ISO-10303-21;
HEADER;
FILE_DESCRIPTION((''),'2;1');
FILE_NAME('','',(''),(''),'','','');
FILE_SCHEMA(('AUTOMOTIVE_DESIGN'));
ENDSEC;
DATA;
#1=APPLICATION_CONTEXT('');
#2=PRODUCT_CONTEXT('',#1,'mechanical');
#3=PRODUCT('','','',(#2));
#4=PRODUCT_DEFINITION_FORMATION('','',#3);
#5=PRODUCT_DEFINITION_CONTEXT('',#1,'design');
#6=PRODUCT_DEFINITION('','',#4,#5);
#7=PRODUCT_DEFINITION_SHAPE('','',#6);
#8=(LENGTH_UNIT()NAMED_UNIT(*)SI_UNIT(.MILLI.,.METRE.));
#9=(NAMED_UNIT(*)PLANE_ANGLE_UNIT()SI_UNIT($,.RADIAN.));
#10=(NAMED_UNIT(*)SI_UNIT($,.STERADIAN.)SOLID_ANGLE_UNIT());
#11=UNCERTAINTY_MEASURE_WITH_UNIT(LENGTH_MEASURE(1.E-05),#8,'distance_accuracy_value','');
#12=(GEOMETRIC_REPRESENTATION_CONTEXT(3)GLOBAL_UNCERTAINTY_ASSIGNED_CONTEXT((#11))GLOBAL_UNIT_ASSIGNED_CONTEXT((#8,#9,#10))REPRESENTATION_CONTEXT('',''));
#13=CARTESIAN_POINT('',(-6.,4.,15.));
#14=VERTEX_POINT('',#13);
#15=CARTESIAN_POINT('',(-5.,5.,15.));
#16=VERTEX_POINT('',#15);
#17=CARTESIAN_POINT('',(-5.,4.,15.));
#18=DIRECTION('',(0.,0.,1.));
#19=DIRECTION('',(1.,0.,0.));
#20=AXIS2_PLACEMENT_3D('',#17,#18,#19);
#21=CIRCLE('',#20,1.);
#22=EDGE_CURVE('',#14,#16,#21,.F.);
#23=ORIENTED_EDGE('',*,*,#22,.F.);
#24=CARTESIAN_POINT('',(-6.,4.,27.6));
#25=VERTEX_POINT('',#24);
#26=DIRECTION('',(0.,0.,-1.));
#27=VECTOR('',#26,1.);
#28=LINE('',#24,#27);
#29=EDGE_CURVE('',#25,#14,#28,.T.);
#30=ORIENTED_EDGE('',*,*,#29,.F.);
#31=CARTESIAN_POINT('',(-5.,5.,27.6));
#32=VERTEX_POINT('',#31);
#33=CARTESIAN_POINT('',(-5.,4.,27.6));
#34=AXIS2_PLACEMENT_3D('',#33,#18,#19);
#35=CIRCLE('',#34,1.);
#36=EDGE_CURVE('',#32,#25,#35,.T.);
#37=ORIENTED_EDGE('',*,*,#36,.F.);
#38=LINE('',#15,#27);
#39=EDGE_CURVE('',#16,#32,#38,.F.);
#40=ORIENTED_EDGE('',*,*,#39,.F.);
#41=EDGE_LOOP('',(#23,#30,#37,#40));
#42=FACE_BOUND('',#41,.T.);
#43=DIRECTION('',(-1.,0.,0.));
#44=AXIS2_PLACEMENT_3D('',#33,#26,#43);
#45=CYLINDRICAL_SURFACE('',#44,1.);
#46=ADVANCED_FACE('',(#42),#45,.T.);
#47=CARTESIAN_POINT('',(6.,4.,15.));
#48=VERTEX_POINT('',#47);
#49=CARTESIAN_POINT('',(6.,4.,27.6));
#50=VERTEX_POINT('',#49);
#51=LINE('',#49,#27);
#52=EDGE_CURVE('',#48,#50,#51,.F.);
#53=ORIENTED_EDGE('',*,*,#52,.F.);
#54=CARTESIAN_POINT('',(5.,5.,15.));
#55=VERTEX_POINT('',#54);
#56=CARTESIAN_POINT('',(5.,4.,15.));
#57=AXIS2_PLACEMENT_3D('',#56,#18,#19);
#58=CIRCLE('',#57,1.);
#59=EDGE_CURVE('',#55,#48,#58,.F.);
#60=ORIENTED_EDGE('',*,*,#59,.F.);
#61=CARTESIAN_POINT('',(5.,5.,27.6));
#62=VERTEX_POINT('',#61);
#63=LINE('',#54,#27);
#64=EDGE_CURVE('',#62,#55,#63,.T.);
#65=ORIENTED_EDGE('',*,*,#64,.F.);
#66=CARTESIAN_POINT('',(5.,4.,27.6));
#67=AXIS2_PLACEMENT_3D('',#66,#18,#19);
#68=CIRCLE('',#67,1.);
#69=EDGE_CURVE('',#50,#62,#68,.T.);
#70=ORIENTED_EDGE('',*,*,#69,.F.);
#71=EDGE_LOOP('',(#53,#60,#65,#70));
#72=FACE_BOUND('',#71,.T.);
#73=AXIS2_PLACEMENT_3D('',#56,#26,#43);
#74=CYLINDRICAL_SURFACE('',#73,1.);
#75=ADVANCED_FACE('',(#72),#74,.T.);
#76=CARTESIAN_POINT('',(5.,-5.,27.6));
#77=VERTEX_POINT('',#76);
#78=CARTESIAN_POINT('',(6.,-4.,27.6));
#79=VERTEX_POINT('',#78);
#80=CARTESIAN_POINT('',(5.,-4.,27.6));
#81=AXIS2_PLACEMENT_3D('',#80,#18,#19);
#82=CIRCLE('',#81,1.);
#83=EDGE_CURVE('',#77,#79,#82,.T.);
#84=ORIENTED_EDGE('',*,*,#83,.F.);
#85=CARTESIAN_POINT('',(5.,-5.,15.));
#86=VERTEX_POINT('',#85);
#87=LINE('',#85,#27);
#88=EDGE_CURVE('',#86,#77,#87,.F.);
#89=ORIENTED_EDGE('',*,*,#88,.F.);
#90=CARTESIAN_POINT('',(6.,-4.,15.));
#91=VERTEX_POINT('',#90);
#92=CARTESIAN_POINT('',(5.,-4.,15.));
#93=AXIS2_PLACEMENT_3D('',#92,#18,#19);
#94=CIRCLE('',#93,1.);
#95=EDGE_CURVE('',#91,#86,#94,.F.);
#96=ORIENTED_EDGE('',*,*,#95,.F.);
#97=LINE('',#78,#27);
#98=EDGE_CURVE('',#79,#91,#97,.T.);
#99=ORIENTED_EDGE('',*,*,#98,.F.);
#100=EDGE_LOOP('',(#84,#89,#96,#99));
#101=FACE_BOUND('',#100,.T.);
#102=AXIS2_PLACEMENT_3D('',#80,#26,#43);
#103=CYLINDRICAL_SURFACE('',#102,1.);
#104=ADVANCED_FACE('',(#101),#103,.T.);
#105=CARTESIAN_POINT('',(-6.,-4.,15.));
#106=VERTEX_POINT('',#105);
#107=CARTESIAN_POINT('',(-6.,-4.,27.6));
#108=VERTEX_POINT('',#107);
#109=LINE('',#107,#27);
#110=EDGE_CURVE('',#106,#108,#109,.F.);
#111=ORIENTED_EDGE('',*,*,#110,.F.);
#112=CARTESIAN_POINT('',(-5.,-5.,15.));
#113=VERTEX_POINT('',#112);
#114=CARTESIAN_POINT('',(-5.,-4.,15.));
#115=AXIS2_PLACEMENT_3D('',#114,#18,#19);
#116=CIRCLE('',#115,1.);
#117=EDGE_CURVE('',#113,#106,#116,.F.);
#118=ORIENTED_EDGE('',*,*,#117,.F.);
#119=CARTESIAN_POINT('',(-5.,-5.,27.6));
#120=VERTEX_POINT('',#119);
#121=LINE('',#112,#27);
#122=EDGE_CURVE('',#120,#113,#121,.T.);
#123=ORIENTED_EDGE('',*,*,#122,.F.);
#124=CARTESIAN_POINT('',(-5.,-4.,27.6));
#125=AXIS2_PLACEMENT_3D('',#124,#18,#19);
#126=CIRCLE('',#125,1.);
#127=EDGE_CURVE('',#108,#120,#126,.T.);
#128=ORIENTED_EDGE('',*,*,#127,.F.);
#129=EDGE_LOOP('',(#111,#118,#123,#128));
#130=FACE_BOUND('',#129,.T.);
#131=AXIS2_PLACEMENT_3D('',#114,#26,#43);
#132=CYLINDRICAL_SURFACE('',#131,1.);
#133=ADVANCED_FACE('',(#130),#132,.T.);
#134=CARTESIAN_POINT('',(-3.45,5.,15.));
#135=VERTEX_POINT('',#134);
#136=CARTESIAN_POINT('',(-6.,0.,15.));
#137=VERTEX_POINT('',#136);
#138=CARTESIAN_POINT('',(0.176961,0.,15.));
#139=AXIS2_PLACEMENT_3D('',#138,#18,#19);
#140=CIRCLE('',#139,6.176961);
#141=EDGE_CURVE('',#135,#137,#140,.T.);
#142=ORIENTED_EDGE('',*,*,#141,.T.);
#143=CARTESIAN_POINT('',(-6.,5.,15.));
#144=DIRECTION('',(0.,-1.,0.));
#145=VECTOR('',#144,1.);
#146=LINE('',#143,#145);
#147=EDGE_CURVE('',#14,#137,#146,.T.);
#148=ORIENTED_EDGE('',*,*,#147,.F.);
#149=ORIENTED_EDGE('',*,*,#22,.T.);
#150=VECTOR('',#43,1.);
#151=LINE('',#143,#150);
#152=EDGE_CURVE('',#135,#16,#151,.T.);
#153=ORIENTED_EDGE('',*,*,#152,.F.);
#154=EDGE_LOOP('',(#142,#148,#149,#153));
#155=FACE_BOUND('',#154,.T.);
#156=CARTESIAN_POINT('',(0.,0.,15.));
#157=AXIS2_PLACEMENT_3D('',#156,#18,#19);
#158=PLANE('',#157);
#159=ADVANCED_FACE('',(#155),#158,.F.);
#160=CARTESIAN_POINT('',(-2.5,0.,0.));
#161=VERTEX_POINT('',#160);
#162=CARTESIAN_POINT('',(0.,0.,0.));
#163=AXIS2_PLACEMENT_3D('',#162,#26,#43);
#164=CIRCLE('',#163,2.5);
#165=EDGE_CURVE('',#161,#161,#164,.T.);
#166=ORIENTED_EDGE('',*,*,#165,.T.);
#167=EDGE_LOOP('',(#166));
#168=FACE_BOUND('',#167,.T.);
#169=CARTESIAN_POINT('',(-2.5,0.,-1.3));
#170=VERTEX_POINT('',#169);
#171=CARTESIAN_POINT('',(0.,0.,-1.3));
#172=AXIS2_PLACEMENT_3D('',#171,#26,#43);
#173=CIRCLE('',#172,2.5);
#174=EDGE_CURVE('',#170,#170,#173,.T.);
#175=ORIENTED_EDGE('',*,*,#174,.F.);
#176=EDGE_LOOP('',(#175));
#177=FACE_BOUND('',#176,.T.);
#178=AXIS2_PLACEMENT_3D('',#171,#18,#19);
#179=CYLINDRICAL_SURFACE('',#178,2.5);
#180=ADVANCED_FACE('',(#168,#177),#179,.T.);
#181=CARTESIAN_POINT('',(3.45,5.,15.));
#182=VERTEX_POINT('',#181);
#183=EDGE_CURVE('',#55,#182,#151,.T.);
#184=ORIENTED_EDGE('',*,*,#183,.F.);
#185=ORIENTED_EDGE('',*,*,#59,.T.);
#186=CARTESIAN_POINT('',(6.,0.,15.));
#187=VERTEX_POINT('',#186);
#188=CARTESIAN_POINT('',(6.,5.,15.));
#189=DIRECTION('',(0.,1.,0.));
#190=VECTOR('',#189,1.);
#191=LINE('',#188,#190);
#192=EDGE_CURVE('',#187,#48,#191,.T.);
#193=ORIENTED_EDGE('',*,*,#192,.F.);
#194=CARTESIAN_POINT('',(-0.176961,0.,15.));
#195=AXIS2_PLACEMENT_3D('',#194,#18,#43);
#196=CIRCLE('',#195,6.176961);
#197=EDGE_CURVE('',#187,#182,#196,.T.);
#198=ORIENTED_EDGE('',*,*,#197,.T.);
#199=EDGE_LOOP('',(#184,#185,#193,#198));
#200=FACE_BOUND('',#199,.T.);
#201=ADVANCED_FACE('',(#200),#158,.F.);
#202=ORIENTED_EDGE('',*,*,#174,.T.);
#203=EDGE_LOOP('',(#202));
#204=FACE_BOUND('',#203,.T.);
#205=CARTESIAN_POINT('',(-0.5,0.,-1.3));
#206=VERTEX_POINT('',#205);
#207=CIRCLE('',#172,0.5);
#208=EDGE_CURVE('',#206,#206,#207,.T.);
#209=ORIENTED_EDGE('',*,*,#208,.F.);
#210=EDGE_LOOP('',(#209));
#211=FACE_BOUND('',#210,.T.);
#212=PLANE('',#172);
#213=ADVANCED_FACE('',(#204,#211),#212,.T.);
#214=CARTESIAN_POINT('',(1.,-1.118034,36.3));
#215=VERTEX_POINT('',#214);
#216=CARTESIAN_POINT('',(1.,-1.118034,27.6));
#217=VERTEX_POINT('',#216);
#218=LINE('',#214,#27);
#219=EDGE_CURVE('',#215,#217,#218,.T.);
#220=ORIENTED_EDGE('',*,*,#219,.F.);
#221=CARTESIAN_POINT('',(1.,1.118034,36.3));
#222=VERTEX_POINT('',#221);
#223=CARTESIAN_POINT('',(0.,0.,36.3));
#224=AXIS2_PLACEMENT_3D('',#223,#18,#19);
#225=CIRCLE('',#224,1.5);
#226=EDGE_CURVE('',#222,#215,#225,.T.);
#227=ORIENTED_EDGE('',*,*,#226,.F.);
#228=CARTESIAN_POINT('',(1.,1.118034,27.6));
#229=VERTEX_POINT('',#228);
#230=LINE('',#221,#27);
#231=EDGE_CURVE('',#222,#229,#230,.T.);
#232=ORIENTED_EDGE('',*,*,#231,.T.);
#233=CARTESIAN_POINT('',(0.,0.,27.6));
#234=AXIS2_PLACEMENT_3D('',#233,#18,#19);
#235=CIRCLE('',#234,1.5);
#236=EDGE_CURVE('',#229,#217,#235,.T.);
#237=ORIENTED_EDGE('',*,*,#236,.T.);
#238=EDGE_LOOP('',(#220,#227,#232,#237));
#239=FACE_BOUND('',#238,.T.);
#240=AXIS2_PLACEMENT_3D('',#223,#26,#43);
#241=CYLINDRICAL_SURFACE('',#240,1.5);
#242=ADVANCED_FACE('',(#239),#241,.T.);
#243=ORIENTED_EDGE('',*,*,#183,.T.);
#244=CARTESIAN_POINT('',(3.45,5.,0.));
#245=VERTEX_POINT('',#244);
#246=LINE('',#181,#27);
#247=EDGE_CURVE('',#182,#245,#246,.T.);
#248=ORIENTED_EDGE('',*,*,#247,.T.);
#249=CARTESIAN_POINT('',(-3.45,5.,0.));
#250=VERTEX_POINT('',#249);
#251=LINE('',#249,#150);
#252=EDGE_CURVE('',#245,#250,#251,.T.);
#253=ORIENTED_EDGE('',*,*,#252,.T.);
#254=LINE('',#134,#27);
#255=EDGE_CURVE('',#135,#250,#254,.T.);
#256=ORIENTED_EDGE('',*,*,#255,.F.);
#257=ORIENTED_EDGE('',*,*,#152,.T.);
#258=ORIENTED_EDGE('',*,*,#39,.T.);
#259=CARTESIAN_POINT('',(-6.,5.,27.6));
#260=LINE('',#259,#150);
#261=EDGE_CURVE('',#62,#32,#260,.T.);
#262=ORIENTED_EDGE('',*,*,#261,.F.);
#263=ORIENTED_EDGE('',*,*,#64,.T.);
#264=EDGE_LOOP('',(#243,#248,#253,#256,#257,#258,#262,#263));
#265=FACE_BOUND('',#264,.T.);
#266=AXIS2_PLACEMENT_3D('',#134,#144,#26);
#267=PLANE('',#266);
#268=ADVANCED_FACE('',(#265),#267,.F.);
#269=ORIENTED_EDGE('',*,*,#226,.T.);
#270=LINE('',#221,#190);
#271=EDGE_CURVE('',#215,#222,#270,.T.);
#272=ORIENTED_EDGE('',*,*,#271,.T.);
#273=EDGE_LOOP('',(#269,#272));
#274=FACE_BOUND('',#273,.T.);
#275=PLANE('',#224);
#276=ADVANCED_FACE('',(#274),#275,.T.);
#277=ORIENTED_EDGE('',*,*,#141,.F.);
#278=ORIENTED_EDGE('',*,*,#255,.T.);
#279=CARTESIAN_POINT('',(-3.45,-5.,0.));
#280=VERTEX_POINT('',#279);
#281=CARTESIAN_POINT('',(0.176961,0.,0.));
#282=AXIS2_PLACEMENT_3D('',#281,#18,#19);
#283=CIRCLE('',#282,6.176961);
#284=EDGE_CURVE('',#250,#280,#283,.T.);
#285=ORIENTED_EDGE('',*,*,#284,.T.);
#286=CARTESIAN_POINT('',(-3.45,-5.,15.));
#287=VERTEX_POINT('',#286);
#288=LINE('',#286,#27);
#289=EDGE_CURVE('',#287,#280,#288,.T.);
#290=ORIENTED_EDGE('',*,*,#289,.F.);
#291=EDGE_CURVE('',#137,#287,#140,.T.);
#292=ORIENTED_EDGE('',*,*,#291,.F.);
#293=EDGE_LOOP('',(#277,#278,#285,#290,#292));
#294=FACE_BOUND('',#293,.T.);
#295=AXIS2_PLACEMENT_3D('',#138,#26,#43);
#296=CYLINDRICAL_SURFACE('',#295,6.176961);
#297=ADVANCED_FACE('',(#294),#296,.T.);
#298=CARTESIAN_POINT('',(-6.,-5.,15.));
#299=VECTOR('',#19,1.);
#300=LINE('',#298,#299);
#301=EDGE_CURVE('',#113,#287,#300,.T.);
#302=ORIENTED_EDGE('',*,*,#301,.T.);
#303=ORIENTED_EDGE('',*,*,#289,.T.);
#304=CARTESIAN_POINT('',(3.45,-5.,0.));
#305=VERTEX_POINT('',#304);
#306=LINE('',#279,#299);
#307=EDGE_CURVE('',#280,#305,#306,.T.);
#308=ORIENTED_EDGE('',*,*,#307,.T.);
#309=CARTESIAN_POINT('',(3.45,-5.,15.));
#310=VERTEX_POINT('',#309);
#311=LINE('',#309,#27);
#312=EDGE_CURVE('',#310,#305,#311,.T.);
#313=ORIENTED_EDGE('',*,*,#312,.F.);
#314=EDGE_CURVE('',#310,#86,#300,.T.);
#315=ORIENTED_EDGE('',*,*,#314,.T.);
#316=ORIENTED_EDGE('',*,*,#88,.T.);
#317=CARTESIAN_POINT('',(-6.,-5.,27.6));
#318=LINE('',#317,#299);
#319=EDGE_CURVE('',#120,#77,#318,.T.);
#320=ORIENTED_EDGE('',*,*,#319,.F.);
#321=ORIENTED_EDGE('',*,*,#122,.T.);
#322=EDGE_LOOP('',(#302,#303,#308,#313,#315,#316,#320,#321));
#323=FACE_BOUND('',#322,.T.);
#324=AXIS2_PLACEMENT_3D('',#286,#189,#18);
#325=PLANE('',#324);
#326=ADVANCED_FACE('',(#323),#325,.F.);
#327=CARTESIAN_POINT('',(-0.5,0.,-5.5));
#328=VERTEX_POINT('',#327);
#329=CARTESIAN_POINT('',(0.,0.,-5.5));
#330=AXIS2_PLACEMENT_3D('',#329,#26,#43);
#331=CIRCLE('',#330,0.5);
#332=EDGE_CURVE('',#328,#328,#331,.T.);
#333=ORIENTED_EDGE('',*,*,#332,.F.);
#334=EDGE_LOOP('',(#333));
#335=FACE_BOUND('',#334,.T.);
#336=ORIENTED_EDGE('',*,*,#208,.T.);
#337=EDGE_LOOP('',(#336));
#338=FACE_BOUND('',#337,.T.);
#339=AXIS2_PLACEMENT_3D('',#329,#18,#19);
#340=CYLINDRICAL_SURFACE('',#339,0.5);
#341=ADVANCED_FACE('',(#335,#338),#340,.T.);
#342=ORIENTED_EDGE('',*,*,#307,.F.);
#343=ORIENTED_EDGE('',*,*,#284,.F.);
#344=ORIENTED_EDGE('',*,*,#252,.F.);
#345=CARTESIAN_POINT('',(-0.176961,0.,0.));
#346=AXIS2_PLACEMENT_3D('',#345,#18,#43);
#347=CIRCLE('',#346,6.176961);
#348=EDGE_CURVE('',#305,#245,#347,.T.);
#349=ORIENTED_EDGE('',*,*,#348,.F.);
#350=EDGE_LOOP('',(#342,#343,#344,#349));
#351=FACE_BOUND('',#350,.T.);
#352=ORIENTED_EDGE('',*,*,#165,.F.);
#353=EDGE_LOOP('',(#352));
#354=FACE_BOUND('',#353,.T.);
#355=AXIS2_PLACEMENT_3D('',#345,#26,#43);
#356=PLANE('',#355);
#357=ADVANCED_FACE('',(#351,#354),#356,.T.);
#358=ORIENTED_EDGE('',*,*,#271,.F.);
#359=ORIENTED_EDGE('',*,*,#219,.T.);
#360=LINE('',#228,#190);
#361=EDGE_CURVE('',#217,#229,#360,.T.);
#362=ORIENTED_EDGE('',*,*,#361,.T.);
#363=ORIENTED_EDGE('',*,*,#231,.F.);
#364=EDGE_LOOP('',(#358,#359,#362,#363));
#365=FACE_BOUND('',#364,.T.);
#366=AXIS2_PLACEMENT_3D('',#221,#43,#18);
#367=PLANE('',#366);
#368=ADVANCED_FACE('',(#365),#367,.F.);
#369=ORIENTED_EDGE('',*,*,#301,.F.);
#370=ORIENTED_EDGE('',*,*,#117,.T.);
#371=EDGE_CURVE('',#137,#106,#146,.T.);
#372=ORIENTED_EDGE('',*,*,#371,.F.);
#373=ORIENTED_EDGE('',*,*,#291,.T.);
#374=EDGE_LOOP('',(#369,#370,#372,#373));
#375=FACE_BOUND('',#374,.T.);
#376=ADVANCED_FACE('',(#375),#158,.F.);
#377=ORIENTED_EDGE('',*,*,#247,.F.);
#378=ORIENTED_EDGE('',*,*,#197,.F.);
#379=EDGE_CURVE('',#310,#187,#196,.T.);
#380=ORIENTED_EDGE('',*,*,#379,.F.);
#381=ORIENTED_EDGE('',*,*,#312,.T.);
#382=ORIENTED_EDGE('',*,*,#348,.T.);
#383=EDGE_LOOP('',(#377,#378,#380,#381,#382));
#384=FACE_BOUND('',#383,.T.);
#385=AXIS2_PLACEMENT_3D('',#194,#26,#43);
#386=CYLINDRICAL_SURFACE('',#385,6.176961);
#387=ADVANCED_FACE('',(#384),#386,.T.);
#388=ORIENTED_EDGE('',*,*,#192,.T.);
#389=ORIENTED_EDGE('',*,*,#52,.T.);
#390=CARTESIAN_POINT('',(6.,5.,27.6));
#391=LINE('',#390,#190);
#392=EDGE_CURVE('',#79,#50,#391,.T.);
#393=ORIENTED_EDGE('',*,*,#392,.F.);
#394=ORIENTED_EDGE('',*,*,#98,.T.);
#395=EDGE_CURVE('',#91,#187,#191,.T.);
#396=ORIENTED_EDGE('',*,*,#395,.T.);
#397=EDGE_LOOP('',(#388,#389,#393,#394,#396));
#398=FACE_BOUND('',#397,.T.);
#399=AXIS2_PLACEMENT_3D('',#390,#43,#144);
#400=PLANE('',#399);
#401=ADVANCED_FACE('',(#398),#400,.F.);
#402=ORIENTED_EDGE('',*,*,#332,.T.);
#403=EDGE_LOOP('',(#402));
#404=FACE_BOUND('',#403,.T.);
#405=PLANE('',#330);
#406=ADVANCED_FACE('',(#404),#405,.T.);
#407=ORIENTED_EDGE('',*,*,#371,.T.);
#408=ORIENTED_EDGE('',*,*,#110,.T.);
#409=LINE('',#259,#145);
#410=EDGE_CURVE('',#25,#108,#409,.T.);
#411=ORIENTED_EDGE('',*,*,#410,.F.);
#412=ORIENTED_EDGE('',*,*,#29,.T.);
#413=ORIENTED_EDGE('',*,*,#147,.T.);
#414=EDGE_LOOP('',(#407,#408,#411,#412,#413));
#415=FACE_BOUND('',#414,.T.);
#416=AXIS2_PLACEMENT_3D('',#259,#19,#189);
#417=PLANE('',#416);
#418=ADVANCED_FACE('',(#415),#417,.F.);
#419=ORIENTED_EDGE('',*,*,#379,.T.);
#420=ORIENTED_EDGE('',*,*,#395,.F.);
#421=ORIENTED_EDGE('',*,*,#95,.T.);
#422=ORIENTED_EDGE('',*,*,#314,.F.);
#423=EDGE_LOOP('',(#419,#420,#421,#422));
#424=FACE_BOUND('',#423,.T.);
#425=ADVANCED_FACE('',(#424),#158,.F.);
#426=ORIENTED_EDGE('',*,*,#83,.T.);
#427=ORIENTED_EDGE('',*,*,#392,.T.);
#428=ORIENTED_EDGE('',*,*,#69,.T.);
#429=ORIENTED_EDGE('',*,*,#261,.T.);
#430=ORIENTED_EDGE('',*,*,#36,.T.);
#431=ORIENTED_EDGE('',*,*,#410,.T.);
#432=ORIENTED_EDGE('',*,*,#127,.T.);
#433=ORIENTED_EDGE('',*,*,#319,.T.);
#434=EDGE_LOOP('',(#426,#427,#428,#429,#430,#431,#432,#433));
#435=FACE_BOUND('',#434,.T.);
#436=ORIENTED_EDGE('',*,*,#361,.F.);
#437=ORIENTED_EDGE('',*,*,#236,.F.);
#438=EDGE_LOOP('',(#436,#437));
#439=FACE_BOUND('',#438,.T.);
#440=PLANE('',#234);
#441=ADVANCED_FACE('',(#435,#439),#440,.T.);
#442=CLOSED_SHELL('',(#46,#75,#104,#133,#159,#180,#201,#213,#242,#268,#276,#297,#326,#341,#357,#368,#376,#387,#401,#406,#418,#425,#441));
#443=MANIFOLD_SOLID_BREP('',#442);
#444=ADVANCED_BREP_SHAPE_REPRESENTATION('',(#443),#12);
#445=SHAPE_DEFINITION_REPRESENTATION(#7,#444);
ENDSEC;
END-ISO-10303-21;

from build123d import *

# Parameters (mm, degrees)
BOSS_EXTRUDE1_DEPTH = 15
SKETCH2_W           = 12
SKETCH2_H           = 10
BOSS_EXTRUDE2_DEPTH = 12.6
FILLET1_R           = 1
BOSS_EXTRUDE3_DEPTH = 8.7
SKETCH4_R           = 2.5
BOSS_EXTRUDE4_DEPTH = 1.3
SKETCH5_R           = 0.5
BOSS_EXTRUDE5_DEPTH = 4.2


with BuildPart() as part:
    # Sketch1 → Boss-Extrude1 (new body)
    with BuildSketch(Plane.XY):
        with BuildLine():
            Line((-3.45, 5), (3.45, 5))
            ThreePointArc((3.45, 5), (6, 0), (3.45, -5))
            Line((3.45, -5), (-3.45, -5))
            ThreePointArc((-3.45, -5), (-6, 0), (-3.45, 5))
        make_face()
    extrude(amount=BOSS_EXTRUDE1_DEPTH)

    # Sketch2 → Boss-Extrude2 (add)
    with BuildSketch(Plane.XY.offset(15)):
        Rectangle(SKETCH2_W, SKETCH2_H)
    extrude(amount=BOSS_EXTRUDE2_DEPTH)

    # Fillet1
    fillet1_edges = [part.edges().sort_by_distance(p)[0] for p in [
        (6, -5, 21.3),
        (6, 5, 21.3),
        (-6, 5, 21.3),
        (-6, -5, 21.3),
    ]]
    fillet(fillet1_edges, radius=FILLET1_R)

    # Sketch3 → Boss-Extrude3 (add)
    with BuildSketch(Plane.XY.offset(27.6)):
        with BuildLine():
            Line((1, 1.118033989), (1, -1.118033989))
            ThreePointArc((1, -1.118033989), (-1.5, 0), (1, 1.118033989))
        make_face()
    extrude(amount=BOSS_EXTRUDE3_DEPTH)

    # Sketch4 → Boss-Extrude4 (add)
    with BuildSketch(Plane(origin=(0, 0, 0), x_dir=(-1, 0, 0), z_dir=(0, 0, -1))):
        Circle(SKETCH4_R)
    extrude(amount=BOSS_EXTRUDE4_DEPTH)

    # Sketch5 → Boss-Extrude5 (add)
    with BuildSketch(Plane(origin=(0, 0, -1.3), x_dir=(-1, 0, 0), z_dir=(0, 0, -1))):
        Circle(SKETCH5_R)
    extrude(amount=BOSS_EXTRUDE5_DEPTH)


solid = part.part
